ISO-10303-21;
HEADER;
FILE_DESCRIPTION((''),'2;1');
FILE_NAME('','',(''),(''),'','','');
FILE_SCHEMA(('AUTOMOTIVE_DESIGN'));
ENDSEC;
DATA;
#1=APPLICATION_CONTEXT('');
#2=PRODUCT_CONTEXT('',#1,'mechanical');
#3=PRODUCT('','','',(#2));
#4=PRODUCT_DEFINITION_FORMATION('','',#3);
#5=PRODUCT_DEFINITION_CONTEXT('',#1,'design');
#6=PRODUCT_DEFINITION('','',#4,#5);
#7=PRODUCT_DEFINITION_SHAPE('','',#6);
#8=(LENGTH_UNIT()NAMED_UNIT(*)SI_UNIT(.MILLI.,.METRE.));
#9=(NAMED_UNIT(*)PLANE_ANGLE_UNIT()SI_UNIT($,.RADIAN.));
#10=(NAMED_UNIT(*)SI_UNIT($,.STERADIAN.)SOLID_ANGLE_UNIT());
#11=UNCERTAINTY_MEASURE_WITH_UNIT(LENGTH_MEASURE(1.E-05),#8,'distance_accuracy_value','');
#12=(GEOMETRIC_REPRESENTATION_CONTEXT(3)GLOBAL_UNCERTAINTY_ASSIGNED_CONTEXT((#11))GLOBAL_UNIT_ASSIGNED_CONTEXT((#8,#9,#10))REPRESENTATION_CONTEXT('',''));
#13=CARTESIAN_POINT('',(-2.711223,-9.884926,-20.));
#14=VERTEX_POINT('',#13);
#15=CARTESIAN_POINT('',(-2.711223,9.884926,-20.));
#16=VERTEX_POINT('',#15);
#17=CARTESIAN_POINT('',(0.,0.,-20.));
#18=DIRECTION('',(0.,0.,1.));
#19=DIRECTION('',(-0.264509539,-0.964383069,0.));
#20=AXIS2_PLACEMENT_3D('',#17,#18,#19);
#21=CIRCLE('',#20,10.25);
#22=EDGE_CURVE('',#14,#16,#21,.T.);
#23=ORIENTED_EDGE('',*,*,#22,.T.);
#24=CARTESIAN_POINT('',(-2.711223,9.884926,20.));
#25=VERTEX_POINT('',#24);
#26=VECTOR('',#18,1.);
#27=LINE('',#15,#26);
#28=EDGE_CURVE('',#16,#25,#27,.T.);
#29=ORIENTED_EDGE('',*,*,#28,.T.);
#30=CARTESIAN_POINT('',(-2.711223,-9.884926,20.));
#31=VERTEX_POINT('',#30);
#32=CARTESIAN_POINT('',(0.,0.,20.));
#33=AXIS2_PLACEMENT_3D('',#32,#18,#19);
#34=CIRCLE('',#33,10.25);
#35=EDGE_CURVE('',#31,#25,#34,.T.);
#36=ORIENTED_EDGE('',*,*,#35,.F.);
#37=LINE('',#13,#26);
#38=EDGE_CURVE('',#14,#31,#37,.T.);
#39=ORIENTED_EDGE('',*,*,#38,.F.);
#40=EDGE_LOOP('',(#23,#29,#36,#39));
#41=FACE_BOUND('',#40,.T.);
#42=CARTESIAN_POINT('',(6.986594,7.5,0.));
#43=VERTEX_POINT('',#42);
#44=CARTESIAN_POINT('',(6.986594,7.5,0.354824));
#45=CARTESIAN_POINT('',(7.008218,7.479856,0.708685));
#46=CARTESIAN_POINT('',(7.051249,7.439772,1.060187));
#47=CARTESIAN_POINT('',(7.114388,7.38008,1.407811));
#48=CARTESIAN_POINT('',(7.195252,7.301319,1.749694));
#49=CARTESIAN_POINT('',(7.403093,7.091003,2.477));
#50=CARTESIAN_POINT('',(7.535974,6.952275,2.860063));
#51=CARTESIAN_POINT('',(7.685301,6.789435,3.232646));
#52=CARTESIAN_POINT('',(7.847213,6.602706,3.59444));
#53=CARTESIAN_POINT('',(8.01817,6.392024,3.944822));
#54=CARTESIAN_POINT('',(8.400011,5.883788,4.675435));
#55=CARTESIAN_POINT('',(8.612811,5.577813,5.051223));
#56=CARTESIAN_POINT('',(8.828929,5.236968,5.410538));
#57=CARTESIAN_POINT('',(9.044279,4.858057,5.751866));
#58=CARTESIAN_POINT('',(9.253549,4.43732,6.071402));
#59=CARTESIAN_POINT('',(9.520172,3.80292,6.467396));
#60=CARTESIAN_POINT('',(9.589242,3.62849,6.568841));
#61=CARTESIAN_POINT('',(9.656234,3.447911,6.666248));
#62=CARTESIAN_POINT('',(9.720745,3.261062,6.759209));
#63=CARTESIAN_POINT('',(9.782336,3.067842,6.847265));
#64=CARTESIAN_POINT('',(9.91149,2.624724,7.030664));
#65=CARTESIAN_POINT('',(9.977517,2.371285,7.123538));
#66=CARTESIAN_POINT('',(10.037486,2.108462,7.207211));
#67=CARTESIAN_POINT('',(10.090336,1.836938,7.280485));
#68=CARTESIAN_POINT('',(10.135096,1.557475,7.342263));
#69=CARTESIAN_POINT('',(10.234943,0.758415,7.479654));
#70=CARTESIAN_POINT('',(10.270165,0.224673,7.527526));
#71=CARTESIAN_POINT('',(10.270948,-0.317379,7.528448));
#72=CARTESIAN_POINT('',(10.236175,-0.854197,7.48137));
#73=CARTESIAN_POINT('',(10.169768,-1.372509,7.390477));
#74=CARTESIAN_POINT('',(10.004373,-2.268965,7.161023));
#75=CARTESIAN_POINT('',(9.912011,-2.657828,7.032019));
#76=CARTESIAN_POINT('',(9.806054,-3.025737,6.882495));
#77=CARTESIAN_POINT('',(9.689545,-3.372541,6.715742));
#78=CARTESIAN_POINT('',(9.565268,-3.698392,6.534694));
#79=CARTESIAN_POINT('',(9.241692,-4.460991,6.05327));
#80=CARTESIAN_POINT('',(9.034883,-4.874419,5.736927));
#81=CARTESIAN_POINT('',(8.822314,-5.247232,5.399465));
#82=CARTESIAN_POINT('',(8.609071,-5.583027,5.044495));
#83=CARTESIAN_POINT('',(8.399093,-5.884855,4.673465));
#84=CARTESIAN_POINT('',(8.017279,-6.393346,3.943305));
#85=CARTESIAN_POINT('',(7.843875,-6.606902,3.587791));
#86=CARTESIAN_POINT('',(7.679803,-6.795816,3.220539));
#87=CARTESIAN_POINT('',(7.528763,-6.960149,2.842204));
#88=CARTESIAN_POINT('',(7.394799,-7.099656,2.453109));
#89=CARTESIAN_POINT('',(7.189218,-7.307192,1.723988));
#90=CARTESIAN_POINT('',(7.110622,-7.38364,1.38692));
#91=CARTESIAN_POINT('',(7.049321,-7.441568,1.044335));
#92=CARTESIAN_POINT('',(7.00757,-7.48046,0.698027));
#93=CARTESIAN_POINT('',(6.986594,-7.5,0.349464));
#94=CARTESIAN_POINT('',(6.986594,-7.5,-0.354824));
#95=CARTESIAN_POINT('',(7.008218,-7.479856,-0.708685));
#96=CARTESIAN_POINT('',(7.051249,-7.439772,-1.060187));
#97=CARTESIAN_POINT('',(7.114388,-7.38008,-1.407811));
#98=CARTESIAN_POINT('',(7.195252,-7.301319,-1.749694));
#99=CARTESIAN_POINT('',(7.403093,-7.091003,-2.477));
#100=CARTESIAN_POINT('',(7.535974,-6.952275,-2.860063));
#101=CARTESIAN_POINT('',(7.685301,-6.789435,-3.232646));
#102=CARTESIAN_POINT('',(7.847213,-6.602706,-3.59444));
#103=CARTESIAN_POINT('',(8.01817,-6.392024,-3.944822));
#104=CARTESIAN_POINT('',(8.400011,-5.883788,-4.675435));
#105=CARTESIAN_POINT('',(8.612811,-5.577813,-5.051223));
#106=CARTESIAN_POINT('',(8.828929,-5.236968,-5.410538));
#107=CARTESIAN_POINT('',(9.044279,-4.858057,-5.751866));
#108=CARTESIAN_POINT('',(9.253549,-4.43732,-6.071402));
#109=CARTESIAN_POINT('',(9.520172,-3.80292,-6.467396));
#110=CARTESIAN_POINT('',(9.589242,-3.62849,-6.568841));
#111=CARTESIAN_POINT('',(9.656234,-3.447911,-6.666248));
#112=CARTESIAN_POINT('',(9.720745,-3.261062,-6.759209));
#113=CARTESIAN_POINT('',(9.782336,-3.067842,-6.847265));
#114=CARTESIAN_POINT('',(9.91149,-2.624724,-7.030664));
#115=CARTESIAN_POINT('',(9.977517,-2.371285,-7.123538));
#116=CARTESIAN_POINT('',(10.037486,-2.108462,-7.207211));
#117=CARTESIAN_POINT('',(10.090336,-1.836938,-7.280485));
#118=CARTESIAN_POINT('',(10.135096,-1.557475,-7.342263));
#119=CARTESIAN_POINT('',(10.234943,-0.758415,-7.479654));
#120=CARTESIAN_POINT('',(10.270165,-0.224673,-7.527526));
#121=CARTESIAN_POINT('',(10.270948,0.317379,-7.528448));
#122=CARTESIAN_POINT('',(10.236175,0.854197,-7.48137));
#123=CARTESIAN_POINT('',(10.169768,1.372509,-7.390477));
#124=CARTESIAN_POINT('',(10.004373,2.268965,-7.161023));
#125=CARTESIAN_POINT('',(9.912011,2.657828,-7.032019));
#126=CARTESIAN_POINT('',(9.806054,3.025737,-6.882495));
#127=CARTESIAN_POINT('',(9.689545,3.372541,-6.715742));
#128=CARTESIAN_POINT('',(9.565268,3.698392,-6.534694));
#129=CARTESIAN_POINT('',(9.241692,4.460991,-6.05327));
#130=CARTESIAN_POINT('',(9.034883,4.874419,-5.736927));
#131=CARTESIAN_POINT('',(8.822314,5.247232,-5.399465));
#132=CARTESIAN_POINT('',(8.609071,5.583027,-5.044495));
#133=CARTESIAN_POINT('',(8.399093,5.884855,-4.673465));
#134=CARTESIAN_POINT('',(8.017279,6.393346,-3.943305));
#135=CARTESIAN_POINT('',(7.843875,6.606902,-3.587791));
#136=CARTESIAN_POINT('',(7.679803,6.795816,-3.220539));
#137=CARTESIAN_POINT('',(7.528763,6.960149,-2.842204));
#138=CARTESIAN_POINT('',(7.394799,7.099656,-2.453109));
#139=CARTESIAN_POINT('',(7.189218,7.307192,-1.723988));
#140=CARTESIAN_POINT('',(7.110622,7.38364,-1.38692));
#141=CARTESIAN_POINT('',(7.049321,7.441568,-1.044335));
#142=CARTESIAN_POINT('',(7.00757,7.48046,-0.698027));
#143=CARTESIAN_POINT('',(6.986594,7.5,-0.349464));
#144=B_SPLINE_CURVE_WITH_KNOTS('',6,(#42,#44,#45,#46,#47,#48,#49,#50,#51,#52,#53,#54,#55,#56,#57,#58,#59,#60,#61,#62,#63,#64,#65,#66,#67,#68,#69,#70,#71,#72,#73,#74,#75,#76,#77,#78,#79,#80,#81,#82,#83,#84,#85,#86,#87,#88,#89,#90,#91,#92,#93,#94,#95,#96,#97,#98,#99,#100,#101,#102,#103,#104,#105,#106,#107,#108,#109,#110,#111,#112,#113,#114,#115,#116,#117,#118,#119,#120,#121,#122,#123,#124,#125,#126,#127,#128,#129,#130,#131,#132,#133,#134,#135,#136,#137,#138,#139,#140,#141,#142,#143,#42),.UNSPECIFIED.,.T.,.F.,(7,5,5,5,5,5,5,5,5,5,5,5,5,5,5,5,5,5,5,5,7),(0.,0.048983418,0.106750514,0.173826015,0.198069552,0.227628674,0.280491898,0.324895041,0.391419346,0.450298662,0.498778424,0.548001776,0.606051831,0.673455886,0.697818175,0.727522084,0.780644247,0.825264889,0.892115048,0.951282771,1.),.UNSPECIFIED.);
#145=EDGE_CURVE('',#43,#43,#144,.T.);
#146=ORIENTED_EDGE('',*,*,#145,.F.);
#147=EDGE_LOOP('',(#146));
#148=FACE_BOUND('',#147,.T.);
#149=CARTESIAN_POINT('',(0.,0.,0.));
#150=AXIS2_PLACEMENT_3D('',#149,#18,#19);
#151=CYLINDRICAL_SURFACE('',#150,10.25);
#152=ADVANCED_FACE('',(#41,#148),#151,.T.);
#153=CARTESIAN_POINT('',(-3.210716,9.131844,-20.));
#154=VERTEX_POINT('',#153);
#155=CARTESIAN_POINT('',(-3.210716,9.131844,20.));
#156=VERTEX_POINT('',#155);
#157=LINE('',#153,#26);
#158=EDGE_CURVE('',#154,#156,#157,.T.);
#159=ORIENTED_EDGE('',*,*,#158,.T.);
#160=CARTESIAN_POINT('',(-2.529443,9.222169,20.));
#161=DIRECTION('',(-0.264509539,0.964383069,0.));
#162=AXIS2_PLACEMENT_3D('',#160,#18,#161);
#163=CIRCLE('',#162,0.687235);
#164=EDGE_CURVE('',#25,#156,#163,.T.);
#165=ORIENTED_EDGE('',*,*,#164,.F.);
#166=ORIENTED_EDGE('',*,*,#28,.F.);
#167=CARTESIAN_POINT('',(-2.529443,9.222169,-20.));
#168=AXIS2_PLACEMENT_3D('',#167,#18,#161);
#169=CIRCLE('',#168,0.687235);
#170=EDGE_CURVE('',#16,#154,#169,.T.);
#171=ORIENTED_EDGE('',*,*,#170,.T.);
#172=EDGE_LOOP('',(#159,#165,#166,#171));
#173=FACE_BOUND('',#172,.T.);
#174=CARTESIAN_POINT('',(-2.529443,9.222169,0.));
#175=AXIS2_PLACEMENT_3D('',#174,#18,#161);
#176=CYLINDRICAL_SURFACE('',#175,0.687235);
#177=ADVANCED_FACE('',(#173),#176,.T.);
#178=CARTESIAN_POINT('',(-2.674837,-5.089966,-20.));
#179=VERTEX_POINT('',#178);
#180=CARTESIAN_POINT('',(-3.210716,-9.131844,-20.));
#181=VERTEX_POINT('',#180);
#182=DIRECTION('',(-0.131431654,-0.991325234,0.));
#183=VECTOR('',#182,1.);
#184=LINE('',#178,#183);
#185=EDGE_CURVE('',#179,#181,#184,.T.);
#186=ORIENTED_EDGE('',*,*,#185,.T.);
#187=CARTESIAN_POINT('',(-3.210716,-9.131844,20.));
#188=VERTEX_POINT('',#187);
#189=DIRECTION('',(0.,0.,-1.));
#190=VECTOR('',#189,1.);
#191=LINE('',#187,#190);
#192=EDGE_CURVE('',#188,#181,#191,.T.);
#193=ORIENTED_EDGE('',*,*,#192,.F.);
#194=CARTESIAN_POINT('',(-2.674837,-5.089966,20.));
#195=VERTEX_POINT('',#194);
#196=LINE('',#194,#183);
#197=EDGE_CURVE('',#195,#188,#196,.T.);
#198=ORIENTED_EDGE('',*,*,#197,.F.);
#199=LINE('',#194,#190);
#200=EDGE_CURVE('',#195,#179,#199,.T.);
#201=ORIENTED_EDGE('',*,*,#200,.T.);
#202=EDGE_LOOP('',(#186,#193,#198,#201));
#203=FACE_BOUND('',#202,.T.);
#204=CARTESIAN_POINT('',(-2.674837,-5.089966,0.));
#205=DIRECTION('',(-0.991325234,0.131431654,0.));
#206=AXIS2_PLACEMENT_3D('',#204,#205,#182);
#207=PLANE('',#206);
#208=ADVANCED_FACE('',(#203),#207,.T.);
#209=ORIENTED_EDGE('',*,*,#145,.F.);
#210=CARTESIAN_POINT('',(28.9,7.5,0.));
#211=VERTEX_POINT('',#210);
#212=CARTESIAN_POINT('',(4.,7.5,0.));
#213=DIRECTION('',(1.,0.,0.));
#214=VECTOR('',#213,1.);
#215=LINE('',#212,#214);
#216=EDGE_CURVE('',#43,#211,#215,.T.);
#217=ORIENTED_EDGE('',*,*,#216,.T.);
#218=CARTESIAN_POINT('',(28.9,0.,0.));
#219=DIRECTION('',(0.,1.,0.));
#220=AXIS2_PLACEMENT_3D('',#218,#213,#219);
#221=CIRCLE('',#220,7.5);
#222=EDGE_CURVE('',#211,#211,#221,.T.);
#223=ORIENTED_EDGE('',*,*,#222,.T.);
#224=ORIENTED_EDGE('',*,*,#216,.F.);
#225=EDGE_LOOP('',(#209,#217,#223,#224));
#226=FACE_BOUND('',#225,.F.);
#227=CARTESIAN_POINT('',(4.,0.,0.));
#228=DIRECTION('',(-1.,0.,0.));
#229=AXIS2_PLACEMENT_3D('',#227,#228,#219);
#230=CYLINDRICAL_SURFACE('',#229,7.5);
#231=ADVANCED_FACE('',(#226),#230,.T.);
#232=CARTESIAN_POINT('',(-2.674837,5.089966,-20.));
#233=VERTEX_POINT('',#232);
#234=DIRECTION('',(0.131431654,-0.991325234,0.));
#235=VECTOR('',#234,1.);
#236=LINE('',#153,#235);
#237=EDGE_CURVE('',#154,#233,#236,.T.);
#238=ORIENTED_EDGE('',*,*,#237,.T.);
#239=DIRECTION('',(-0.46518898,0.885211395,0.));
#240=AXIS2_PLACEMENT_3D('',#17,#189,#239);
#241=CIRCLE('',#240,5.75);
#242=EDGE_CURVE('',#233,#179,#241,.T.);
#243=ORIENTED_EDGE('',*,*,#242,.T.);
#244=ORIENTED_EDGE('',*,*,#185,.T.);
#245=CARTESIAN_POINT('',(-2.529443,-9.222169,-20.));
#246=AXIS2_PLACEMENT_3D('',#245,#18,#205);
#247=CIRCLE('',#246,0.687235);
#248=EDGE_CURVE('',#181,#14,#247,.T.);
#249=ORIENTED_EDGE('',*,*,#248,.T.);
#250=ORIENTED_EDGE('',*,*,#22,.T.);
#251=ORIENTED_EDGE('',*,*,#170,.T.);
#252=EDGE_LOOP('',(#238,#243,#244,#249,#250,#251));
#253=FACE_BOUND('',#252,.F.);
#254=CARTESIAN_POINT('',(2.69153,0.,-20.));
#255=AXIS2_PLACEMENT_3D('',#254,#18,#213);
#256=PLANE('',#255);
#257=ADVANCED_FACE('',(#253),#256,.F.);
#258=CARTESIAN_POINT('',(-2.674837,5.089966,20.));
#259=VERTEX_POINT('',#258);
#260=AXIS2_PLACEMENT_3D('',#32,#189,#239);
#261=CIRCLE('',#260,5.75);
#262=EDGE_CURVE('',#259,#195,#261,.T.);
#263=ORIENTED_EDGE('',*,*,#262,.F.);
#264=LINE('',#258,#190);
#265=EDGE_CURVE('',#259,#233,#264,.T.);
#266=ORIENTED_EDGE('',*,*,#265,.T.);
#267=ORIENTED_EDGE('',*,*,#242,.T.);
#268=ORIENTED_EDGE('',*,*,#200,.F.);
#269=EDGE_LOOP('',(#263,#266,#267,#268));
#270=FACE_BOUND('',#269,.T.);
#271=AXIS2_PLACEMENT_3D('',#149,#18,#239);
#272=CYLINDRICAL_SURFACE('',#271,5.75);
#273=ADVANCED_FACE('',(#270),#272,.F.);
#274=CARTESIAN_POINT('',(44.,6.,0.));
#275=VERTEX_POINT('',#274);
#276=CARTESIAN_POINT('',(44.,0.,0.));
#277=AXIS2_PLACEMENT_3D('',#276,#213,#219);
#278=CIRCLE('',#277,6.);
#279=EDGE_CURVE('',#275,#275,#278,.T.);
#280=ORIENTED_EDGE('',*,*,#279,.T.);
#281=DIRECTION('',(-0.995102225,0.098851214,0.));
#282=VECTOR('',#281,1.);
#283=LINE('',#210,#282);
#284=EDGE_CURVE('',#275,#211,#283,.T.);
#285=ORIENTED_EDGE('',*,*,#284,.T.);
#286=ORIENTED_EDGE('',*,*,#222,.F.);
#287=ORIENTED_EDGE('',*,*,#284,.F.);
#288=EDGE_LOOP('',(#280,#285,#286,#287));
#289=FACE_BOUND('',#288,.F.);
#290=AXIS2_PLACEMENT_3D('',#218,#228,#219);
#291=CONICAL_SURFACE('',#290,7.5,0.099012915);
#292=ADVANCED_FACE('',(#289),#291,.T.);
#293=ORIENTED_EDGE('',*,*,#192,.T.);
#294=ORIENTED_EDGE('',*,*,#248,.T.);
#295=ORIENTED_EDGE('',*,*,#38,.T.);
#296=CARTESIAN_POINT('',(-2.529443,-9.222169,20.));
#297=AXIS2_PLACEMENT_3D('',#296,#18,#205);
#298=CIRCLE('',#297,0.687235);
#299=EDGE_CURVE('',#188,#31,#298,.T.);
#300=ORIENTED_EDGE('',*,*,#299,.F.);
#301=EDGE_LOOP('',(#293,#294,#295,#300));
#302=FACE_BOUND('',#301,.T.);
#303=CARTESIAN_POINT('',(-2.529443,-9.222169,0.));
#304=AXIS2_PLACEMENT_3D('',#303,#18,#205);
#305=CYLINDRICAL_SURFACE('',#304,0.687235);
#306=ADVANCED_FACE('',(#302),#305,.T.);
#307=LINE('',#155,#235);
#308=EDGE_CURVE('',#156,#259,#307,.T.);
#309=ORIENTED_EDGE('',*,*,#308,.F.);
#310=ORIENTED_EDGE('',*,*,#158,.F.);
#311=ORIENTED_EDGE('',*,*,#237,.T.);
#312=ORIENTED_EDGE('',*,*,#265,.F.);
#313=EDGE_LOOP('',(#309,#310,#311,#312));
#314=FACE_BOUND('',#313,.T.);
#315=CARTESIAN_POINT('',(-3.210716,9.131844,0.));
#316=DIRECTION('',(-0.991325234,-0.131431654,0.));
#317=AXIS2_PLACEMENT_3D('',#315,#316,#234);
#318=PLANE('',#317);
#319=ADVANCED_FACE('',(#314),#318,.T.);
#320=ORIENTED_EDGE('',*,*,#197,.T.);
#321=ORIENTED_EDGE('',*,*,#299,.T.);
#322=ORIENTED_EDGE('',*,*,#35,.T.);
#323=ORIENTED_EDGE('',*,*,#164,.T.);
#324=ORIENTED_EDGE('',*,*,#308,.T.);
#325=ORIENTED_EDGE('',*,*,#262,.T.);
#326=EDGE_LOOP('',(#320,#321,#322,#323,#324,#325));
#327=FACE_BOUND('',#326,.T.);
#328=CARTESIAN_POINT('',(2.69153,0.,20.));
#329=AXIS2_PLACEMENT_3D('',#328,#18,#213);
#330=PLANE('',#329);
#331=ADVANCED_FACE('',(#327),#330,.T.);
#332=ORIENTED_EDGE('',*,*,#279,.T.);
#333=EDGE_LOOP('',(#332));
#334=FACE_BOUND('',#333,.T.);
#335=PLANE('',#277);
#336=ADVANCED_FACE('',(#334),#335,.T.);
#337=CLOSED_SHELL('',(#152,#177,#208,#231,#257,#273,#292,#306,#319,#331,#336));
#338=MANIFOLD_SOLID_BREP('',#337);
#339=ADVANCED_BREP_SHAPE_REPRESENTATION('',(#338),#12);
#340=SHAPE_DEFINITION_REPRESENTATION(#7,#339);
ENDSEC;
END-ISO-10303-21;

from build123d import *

# Parameters (mm, degrees)
F2_R     = 7.5
F3_DEPTH = 40
F4_SIZE2 = 15.1
F4_SIZE  = 1.5
F5_DEPTH = 2.5
F6_DEPTH = 20


with BuildPart() as f3:
    # F2 (on offset) → F3 (new body)
    with BuildSketch(Plane.YZ.offset(4)):
        Circle(F2_R)
    extrude(amount=F3_DEPTH)

    # F4
    f4_edges = [f3.edges().sort_by_distance(p)[0] for p in [
        (44, -7.5, 0),
    ]]
    f4_side = f3.faces().sort_by_distance((44, 0, 0))[0]
    chamfer(f4_edges, length=F4_SIZE, length2=F4_SIZE2, reference=f4_side)

    # F2 (on offset) → F5 (cut)
    with BuildSketch(Plane.YZ.offset(4)):
        Circle(F2_R)
    extrude(amount=F5_DEPTH, mode=Mode.SUBTRACT)

    # F0 (on Top) → F6 (join, symmetric)
    with BuildSketch(Plane.XY):
        with BuildLine():
            ThreePointArc((-3.2107160512, -9.1318440865), (-3.1021542498, -9.6020282515), (-2.711222774, -9.8849264575))
            ThreePointArc((-2.711222774, -9.8849264575), (10.25, 0), (-2.711222774, 9.8849264575))
            ThreePointArc((-2.711222774, 9.8849264575), (-3.1021542498, 9.6020282515), (-3.2107160512, 9.1318440865))
            Line((-3.2107160512, 9.1318440865), (-2.6748366384, 5.089965529))
            ThreePointArc((-2.6748366384, 5.089965529), (5.7500000112, 0), (-2.6748366384, -5.089965529))
            Line((-2.6748366384, -5.089965529), (-3.2107160512, -9.1318440865))
        make_face()
    extrude(amount=F6_DEPTH, both=True)


solid = f3.part
